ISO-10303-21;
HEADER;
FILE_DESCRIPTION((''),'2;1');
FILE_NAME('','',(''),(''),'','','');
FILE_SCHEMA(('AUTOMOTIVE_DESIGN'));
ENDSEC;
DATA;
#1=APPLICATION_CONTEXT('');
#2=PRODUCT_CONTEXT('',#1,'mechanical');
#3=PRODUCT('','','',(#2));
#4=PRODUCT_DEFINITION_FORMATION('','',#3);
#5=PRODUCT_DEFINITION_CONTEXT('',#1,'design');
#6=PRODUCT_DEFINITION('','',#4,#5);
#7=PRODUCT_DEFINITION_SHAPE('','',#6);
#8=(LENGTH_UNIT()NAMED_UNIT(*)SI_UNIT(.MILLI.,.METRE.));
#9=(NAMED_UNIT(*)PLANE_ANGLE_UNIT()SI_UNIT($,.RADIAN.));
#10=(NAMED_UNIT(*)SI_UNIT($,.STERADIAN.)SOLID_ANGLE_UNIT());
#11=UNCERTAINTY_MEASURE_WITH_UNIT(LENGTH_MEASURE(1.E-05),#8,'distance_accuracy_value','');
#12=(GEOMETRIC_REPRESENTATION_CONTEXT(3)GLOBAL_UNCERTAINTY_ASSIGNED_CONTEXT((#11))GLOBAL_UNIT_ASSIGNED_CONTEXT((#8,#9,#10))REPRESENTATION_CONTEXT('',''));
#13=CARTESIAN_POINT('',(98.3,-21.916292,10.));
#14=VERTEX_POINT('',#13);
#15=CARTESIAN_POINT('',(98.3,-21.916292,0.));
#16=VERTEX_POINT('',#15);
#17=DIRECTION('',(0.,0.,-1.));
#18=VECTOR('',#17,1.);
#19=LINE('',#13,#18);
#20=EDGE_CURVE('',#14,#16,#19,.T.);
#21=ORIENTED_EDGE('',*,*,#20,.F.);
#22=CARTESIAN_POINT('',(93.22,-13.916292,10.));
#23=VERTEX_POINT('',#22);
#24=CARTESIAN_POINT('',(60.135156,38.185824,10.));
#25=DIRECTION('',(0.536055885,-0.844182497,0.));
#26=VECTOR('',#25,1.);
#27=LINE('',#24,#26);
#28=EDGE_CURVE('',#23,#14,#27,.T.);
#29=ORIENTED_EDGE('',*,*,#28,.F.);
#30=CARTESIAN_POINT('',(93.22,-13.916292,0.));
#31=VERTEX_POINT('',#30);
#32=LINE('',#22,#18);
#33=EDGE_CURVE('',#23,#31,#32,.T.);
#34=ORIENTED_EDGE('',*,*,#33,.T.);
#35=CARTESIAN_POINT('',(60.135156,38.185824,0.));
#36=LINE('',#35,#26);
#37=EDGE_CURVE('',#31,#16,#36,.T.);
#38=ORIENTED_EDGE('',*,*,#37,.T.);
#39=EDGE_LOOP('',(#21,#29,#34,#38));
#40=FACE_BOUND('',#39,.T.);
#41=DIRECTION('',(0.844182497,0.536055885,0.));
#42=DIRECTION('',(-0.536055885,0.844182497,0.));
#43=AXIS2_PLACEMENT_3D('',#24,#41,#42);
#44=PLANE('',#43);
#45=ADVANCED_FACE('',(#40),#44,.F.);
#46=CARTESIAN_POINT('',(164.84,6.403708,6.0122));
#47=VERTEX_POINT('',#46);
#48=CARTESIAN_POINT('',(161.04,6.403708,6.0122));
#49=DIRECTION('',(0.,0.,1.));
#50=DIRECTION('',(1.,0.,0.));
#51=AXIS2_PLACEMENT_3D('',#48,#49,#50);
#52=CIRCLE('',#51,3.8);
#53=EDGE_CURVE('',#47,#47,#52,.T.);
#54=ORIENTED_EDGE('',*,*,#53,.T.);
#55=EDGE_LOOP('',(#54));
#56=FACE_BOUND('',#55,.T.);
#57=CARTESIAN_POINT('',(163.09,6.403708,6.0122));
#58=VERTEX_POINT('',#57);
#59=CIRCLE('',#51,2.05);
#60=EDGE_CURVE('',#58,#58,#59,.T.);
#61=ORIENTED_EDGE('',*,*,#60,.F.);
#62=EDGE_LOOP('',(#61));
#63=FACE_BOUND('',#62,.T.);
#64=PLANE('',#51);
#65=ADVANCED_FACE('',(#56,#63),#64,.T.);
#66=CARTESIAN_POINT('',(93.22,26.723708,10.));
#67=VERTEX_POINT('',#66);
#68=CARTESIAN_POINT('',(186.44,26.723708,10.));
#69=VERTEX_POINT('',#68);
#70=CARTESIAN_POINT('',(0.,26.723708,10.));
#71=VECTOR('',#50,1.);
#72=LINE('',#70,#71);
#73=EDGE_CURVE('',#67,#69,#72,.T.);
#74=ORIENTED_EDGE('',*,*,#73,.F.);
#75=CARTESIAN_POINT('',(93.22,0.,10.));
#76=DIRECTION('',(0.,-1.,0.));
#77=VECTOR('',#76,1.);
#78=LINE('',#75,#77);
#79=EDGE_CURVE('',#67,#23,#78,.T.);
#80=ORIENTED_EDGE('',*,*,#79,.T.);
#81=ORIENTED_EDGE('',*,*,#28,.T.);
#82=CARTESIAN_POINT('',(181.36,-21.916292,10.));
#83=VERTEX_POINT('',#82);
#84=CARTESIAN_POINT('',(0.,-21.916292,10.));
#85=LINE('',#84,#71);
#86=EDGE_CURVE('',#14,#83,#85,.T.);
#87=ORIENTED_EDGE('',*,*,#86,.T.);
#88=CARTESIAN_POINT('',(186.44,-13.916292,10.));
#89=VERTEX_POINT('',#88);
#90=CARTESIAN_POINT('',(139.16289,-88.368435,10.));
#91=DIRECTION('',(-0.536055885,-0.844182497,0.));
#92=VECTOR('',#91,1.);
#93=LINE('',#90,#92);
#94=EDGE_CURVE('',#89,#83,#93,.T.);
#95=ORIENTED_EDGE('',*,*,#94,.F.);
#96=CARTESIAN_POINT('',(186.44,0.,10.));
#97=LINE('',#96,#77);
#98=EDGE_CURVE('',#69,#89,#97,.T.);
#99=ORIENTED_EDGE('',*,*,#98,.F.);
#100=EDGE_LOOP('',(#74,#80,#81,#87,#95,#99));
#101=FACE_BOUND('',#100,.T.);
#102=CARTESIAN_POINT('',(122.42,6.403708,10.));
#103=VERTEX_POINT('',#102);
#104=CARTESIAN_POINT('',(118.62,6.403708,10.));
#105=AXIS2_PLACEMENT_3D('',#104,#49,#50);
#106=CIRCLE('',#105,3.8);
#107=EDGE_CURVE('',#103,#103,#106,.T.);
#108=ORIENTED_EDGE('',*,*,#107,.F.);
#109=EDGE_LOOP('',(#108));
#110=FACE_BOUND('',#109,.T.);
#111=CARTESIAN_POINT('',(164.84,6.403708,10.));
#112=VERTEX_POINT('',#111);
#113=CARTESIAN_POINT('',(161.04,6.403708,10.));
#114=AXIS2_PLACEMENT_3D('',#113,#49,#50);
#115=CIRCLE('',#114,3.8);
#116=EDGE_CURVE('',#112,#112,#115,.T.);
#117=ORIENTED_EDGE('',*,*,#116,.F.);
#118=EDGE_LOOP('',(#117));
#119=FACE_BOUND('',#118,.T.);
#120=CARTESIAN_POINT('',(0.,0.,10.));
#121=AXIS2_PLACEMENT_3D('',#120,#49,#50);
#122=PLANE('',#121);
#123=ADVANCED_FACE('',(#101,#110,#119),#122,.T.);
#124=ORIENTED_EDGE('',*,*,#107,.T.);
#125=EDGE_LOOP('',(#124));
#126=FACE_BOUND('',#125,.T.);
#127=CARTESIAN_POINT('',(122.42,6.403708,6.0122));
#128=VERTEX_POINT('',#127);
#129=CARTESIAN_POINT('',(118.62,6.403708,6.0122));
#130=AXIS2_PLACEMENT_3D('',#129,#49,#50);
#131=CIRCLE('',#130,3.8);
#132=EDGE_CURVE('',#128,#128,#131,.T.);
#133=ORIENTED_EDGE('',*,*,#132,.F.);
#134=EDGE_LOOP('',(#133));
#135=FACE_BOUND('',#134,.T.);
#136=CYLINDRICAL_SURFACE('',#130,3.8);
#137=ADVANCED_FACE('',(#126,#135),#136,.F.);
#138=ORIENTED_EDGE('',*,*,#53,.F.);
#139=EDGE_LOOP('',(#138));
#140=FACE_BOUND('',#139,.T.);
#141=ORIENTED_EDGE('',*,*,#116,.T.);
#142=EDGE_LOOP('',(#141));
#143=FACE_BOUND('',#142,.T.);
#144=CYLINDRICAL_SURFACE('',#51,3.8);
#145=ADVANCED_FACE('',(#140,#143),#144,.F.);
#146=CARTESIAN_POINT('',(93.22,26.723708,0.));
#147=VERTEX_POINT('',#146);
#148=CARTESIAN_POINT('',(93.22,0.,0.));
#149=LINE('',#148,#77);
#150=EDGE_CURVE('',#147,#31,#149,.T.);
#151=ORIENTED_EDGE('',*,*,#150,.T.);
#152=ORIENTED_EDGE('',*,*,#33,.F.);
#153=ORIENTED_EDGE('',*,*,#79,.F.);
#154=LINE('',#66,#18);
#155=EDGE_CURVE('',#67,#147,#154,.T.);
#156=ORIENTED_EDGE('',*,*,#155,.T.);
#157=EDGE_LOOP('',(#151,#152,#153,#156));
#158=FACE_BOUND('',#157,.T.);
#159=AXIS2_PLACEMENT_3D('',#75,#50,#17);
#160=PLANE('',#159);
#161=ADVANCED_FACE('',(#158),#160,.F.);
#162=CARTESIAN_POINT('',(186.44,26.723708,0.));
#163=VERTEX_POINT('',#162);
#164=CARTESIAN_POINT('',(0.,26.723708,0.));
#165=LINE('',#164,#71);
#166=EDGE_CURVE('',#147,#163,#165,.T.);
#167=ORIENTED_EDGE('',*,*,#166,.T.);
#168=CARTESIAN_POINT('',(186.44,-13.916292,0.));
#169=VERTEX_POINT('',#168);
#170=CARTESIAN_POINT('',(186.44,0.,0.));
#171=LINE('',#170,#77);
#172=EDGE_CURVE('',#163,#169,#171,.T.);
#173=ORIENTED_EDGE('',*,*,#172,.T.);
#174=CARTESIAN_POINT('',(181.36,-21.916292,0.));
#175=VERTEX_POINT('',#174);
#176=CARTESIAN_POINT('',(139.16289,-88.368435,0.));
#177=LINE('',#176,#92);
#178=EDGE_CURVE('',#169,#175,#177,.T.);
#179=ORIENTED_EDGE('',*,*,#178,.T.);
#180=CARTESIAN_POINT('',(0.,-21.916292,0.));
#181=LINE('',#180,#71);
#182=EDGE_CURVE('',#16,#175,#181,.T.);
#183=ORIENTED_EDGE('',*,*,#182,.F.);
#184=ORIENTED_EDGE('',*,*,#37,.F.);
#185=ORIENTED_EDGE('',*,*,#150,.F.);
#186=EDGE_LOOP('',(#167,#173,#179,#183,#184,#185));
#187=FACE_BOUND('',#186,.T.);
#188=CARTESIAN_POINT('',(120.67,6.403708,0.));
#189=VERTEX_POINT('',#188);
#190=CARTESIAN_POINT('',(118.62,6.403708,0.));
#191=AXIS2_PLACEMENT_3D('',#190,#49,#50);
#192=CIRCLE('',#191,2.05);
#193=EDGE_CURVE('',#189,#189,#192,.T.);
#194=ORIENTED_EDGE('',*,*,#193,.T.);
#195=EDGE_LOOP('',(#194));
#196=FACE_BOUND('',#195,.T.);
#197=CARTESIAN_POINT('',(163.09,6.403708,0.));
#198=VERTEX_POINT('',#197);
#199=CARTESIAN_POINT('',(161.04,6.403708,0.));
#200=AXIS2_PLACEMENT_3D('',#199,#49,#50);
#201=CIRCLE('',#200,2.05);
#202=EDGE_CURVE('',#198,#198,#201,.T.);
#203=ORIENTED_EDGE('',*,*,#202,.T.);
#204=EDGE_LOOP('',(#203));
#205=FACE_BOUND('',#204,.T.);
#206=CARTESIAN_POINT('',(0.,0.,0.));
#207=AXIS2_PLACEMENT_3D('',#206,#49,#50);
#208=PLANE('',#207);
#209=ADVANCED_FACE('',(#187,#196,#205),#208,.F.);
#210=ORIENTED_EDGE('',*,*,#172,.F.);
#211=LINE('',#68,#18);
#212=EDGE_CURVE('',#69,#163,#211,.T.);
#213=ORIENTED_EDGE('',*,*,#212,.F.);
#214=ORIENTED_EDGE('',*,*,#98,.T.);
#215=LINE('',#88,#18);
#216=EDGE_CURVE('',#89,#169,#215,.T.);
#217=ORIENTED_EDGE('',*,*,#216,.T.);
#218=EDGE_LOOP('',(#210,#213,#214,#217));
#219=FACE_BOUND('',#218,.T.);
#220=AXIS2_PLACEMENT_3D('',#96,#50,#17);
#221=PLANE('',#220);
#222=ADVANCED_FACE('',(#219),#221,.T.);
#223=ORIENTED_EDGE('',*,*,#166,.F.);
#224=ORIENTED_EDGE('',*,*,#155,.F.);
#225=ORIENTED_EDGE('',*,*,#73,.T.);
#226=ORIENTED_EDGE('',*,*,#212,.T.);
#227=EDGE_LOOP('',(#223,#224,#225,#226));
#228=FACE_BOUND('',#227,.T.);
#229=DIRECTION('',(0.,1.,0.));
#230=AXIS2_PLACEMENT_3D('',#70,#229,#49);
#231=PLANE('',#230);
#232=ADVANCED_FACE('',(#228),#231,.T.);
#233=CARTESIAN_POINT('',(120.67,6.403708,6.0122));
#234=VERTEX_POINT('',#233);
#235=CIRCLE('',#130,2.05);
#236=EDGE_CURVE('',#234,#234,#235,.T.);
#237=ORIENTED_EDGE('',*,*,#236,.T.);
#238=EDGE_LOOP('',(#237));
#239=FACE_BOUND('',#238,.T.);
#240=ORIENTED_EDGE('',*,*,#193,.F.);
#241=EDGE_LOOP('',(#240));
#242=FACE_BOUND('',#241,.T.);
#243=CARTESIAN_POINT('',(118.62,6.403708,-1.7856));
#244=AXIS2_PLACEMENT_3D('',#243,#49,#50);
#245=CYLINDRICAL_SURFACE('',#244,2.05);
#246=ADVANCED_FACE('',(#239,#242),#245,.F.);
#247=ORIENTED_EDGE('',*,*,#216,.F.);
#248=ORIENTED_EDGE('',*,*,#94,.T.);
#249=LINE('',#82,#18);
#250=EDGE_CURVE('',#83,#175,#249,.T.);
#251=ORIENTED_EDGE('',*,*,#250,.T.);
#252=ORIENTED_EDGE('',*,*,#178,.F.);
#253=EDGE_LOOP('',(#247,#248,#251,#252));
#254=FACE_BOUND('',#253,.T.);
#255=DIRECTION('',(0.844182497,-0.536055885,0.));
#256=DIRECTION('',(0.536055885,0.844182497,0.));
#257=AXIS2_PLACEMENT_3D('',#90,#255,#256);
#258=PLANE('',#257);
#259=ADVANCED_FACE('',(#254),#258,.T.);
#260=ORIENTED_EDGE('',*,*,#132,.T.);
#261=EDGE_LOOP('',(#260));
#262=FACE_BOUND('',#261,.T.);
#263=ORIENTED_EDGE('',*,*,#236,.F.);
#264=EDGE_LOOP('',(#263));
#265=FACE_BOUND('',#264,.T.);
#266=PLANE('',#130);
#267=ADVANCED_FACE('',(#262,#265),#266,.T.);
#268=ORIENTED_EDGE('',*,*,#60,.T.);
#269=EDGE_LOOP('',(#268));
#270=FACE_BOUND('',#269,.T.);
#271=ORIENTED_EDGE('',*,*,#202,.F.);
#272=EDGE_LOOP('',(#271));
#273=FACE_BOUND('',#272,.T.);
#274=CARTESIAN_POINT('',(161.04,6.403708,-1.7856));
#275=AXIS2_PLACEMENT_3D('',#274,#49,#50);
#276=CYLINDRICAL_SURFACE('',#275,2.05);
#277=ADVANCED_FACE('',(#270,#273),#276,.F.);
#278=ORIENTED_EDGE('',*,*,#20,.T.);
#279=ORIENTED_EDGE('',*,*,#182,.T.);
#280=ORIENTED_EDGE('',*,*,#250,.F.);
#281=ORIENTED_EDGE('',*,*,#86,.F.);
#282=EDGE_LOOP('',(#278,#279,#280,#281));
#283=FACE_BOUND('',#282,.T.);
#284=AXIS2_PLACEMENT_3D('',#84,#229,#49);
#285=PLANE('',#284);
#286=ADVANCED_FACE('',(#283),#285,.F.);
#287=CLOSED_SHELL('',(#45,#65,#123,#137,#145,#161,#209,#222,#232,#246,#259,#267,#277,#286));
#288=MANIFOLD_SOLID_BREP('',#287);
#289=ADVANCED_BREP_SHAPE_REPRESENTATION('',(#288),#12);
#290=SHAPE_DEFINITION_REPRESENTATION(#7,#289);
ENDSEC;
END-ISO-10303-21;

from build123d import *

# Parameters (mm, degrees)
SKETCH4_W           = 93.22
SKETCH4_H           = 40.64
BOSS_EXTRUDE1_DEPTH = 10
SKETCH5_R           = 3.8
CUT_EXTRUDE1_DEPTH  = 3.9878
SKETCH6_R           = 2.05
CUT_EXTRUDE2_DEPTH  = 7.7978
SKETCH7_R           = 2.05
CUT_EXTRUDE5_DEPTH  = 7.7978


with BuildPart() as part:
    # Sketch4 → Boss-Extrude1 (new body)
    with BuildSketch(Plane.XY):
        Polygon((186.44, -13.916292355), (181.36, -21.916292355), (139.83, -21.916292355), (98.3, -21.916292355), (93.22, -13.916292355), align=None)
        with Locations((139.83, 6.403707645)):
            Rectangle(SKETCH4_W, SKETCH4_H)
    extrude(amount=BOSS_EXTRUDE1_DEPTH)

    # Sketch5 → Cut-Extrude1 (cut)
    with BuildSketch(Plane.XY.offset(10)):
        with Locations((118.62, 6.403707645)):
            Circle(SKETCH5_R)
        with Locations((161.04, 6.403707645)):
            Circle(SKETCH5_R)
    extrude(amount=-CUT_EXTRUDE1_DEPTH, mode=Mode.SUBTRACT)

    # Sketch6 → Cut-Extrude2 (cut)
    with BuildSketch(Plane.XY.offset(6.0122)):
        with Locations((118.62, 6.403707645)):
            Circle(SKETCH6_R)
    extrude(amount=-CUT_EXTRUDE2_DEPTH, mode=Mode.SUBTRACT)

    # Sketch7 → Cut-Extrude5 (cut)
    with BuildSketch(Plane.XY.offset(6.0122)):
        with Locations((161.04, 6.403707645)):
            Circle(SKETCH7_R)
    extrude(amount=-CUT_EXTRUDE5_DEPTH, mode=Mode.SUBTRACT)


solid = part.part
